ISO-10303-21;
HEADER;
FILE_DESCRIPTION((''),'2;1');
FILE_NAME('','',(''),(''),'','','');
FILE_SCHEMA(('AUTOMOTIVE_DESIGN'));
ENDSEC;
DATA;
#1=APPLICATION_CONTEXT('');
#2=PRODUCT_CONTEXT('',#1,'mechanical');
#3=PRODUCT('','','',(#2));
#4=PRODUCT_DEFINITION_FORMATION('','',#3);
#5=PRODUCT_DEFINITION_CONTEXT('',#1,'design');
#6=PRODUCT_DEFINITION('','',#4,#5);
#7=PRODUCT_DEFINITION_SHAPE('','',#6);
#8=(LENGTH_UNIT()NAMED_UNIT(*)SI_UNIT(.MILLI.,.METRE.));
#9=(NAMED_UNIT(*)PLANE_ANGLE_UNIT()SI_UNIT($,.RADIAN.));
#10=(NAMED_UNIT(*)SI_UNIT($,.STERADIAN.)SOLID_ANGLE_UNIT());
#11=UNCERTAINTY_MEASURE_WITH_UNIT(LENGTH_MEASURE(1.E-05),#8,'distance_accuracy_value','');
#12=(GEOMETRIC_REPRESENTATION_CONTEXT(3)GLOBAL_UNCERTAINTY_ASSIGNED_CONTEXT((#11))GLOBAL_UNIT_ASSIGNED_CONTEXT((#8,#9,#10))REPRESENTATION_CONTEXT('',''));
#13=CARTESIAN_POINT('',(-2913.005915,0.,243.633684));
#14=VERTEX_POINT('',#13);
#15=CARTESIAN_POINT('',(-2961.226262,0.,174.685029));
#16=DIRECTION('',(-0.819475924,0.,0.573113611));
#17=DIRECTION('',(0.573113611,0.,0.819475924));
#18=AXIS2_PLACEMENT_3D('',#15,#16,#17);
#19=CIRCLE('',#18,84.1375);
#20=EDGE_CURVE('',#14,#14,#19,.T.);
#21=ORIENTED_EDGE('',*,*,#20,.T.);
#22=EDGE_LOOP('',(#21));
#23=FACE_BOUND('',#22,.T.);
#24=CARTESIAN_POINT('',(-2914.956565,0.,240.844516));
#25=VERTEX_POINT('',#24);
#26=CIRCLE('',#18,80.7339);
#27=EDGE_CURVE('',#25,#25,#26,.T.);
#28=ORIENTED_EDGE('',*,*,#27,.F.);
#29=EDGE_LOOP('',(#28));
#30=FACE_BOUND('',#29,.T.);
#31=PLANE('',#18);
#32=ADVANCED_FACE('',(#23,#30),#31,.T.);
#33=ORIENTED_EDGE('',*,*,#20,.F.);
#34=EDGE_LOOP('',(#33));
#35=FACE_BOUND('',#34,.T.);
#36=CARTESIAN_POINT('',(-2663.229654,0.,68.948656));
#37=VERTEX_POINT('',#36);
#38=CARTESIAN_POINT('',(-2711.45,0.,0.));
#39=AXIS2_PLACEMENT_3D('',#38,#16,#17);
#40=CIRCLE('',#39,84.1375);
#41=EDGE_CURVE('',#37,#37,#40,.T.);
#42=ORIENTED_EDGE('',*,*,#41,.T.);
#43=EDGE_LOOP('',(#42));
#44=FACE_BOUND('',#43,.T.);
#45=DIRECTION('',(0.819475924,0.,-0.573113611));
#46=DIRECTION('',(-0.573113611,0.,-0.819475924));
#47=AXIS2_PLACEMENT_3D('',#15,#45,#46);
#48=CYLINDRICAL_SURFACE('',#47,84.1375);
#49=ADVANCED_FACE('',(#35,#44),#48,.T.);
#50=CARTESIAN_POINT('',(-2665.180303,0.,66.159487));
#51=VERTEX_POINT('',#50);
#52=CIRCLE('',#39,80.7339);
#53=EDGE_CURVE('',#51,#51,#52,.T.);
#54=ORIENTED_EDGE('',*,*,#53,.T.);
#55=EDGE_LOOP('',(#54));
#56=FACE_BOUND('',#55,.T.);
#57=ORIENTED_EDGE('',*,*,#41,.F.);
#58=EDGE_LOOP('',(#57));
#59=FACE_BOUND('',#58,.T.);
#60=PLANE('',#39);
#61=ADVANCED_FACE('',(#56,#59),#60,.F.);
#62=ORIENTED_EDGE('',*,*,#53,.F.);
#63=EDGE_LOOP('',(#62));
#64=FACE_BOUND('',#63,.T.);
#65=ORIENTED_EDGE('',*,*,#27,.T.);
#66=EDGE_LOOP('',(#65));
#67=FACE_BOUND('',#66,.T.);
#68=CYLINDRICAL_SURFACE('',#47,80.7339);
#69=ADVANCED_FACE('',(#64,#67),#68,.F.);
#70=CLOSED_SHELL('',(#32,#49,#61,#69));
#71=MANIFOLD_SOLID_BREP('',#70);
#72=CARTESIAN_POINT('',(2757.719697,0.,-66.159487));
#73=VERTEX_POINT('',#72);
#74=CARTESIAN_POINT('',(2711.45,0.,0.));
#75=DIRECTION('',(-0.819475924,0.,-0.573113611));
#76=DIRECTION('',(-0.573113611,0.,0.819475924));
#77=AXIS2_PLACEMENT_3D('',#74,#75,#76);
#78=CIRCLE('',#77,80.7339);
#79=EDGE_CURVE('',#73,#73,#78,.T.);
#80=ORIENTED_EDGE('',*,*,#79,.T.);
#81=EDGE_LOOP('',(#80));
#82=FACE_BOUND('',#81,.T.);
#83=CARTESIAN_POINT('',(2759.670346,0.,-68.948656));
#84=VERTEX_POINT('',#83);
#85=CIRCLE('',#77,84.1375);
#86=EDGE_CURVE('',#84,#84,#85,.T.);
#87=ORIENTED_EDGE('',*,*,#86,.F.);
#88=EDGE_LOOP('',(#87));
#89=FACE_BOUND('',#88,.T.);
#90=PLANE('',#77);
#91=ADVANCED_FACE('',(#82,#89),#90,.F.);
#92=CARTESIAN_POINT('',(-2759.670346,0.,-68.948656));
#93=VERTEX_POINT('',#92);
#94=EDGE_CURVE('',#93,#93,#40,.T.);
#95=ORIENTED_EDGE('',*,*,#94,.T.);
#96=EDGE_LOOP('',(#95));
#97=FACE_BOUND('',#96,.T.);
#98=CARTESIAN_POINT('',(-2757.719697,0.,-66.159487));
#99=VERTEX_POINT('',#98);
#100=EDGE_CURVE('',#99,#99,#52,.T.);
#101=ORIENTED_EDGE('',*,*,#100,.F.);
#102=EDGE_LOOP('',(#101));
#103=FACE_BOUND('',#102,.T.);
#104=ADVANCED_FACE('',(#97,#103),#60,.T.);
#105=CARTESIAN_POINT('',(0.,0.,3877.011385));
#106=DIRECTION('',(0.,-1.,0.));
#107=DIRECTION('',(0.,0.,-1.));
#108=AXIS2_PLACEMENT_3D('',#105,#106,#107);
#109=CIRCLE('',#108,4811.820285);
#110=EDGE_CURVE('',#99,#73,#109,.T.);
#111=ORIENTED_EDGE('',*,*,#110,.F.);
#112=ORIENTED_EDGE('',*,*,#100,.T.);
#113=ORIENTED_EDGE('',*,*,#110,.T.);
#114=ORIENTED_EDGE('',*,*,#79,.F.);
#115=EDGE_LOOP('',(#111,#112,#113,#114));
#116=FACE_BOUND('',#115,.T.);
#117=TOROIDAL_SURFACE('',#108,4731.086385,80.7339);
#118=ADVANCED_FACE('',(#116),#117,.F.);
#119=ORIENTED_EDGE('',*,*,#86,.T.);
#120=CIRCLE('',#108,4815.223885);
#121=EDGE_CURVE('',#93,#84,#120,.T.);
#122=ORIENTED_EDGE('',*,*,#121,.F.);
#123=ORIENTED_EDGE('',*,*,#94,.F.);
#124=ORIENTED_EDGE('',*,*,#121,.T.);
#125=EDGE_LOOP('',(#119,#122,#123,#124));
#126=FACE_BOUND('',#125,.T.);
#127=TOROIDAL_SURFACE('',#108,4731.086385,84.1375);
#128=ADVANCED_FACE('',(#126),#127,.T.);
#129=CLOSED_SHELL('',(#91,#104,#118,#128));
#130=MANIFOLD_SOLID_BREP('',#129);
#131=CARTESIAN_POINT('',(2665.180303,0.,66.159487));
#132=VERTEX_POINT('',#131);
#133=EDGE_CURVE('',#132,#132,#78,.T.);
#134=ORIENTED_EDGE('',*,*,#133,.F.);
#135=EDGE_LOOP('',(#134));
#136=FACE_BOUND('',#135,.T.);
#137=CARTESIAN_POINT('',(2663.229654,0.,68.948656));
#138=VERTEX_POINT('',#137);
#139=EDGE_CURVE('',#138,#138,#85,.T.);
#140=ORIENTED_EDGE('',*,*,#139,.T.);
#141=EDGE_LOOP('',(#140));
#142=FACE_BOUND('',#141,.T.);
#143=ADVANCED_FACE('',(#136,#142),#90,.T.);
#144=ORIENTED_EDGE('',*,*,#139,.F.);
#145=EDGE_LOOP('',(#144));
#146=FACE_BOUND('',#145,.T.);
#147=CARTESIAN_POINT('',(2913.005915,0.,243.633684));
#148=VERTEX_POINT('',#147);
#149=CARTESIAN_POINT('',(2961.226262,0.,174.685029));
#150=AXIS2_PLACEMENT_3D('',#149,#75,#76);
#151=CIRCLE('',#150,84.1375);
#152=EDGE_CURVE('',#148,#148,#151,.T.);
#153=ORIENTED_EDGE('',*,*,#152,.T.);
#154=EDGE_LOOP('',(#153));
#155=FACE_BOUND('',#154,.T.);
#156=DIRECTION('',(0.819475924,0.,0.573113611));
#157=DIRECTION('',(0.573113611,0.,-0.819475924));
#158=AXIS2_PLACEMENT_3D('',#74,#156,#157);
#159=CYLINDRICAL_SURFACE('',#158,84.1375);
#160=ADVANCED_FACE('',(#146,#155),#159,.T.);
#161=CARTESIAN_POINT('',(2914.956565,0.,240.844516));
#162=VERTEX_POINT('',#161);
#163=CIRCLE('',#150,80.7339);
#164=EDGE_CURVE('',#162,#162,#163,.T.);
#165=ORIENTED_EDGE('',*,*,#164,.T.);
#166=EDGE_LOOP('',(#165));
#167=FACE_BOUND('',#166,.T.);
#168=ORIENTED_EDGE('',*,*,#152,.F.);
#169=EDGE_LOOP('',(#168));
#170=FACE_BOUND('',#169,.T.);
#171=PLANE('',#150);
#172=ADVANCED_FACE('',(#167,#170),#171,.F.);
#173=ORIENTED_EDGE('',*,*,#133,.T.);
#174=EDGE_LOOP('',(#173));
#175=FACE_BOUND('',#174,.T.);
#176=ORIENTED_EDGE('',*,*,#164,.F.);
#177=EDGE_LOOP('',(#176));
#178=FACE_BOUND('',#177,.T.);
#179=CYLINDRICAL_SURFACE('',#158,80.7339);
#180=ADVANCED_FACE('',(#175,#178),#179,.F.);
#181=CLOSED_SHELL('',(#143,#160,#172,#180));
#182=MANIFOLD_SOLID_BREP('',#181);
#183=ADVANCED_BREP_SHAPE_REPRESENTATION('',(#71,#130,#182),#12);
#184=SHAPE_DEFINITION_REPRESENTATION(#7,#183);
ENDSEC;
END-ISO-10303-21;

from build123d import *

# Parameters (mm, degrees)
SKETCH12_R                 = 84.1375
SKETCH12_R_2               = 80.7339
STRUCTURAL_MEMBER1_DEPTH   = 304.8
SKETCH12_ON_SEGMENT_2_R    = 84.1375
SKETCH12_ON_SEGMENT_2_R_2  = 80.7339
STRUCTURAL_MEMBER1_2_ANGLE = 69.935267889
SKETCH12_ON_SEGMENT_3_R    = 84.1375
SKETCH12_ON_SEGMENT_3_R_2  = 80.7339
STRUCTURAL_MEMBER1_3_DEPTH = 304.8


with BuildPart() as part:
    # Sketch12 → Structural Member1 (new body)
    with BuildSketch(Plane(origin=(2711.45, 0, 0), x_dir=(-0.5731136105937928, 0, 0.8194759235951635), z_dir=(-0.8194759235951635, 0, -0.5731136105937928))):
        Circle(SKETCH12_R)
        Circle(SKETCH12_R_2, mode=Mode.SUBTRACT)
    extrude(amount=-STRUCTURAL_MEMBER1_DEPTH)


with BuildPart() as body_2:
    # Sketch12 on segment 2 (carried to the start of arc 2) → Structural Member1 2 (revolve)
    with BuildSketch(Plane(origin=(2711.45, 0, 0), x_dir=(0.573113611, 0, -0.819475924), z_dir=(0.819475924, 0, 0.573113611))):
        Circle(SKETCH12_ON_SEGMENT_2_R)
        Circle(SKETCH12_ON_SEGMENT_2_R_2, mode=Mode.SUBTRACT)
    revolve(axis=Axis((0, 0, 3877.011384758), (0, 1, 0)), revolution_arc=STRUCTURAL_MEMBER1_2_ANGLE)


with BuildPart() as body_3:
    # Sketch12 on segment 3 (carried to segment 3) → Structural Member1 3 (new body)
    with BuildSketch(Plane(origin=(-2961.226261512, 0, 174.685028509), x_dir=(-0.573113611, 0, -0.819475924), z_dir=(0.819475924, 0, -0.573113611))):
        Circle(SKETCH12_ON_SEGMENT_3_R)
        Circle(SKETCH12_ON_SEGMENT_3_R_2, mode=Mode.SUBTRACT)
    extrude(amount=STRUCTURAL_MEMBER1_3_DEPTH)


solid = Compound([part.part, body_2.part, body_3.part])
